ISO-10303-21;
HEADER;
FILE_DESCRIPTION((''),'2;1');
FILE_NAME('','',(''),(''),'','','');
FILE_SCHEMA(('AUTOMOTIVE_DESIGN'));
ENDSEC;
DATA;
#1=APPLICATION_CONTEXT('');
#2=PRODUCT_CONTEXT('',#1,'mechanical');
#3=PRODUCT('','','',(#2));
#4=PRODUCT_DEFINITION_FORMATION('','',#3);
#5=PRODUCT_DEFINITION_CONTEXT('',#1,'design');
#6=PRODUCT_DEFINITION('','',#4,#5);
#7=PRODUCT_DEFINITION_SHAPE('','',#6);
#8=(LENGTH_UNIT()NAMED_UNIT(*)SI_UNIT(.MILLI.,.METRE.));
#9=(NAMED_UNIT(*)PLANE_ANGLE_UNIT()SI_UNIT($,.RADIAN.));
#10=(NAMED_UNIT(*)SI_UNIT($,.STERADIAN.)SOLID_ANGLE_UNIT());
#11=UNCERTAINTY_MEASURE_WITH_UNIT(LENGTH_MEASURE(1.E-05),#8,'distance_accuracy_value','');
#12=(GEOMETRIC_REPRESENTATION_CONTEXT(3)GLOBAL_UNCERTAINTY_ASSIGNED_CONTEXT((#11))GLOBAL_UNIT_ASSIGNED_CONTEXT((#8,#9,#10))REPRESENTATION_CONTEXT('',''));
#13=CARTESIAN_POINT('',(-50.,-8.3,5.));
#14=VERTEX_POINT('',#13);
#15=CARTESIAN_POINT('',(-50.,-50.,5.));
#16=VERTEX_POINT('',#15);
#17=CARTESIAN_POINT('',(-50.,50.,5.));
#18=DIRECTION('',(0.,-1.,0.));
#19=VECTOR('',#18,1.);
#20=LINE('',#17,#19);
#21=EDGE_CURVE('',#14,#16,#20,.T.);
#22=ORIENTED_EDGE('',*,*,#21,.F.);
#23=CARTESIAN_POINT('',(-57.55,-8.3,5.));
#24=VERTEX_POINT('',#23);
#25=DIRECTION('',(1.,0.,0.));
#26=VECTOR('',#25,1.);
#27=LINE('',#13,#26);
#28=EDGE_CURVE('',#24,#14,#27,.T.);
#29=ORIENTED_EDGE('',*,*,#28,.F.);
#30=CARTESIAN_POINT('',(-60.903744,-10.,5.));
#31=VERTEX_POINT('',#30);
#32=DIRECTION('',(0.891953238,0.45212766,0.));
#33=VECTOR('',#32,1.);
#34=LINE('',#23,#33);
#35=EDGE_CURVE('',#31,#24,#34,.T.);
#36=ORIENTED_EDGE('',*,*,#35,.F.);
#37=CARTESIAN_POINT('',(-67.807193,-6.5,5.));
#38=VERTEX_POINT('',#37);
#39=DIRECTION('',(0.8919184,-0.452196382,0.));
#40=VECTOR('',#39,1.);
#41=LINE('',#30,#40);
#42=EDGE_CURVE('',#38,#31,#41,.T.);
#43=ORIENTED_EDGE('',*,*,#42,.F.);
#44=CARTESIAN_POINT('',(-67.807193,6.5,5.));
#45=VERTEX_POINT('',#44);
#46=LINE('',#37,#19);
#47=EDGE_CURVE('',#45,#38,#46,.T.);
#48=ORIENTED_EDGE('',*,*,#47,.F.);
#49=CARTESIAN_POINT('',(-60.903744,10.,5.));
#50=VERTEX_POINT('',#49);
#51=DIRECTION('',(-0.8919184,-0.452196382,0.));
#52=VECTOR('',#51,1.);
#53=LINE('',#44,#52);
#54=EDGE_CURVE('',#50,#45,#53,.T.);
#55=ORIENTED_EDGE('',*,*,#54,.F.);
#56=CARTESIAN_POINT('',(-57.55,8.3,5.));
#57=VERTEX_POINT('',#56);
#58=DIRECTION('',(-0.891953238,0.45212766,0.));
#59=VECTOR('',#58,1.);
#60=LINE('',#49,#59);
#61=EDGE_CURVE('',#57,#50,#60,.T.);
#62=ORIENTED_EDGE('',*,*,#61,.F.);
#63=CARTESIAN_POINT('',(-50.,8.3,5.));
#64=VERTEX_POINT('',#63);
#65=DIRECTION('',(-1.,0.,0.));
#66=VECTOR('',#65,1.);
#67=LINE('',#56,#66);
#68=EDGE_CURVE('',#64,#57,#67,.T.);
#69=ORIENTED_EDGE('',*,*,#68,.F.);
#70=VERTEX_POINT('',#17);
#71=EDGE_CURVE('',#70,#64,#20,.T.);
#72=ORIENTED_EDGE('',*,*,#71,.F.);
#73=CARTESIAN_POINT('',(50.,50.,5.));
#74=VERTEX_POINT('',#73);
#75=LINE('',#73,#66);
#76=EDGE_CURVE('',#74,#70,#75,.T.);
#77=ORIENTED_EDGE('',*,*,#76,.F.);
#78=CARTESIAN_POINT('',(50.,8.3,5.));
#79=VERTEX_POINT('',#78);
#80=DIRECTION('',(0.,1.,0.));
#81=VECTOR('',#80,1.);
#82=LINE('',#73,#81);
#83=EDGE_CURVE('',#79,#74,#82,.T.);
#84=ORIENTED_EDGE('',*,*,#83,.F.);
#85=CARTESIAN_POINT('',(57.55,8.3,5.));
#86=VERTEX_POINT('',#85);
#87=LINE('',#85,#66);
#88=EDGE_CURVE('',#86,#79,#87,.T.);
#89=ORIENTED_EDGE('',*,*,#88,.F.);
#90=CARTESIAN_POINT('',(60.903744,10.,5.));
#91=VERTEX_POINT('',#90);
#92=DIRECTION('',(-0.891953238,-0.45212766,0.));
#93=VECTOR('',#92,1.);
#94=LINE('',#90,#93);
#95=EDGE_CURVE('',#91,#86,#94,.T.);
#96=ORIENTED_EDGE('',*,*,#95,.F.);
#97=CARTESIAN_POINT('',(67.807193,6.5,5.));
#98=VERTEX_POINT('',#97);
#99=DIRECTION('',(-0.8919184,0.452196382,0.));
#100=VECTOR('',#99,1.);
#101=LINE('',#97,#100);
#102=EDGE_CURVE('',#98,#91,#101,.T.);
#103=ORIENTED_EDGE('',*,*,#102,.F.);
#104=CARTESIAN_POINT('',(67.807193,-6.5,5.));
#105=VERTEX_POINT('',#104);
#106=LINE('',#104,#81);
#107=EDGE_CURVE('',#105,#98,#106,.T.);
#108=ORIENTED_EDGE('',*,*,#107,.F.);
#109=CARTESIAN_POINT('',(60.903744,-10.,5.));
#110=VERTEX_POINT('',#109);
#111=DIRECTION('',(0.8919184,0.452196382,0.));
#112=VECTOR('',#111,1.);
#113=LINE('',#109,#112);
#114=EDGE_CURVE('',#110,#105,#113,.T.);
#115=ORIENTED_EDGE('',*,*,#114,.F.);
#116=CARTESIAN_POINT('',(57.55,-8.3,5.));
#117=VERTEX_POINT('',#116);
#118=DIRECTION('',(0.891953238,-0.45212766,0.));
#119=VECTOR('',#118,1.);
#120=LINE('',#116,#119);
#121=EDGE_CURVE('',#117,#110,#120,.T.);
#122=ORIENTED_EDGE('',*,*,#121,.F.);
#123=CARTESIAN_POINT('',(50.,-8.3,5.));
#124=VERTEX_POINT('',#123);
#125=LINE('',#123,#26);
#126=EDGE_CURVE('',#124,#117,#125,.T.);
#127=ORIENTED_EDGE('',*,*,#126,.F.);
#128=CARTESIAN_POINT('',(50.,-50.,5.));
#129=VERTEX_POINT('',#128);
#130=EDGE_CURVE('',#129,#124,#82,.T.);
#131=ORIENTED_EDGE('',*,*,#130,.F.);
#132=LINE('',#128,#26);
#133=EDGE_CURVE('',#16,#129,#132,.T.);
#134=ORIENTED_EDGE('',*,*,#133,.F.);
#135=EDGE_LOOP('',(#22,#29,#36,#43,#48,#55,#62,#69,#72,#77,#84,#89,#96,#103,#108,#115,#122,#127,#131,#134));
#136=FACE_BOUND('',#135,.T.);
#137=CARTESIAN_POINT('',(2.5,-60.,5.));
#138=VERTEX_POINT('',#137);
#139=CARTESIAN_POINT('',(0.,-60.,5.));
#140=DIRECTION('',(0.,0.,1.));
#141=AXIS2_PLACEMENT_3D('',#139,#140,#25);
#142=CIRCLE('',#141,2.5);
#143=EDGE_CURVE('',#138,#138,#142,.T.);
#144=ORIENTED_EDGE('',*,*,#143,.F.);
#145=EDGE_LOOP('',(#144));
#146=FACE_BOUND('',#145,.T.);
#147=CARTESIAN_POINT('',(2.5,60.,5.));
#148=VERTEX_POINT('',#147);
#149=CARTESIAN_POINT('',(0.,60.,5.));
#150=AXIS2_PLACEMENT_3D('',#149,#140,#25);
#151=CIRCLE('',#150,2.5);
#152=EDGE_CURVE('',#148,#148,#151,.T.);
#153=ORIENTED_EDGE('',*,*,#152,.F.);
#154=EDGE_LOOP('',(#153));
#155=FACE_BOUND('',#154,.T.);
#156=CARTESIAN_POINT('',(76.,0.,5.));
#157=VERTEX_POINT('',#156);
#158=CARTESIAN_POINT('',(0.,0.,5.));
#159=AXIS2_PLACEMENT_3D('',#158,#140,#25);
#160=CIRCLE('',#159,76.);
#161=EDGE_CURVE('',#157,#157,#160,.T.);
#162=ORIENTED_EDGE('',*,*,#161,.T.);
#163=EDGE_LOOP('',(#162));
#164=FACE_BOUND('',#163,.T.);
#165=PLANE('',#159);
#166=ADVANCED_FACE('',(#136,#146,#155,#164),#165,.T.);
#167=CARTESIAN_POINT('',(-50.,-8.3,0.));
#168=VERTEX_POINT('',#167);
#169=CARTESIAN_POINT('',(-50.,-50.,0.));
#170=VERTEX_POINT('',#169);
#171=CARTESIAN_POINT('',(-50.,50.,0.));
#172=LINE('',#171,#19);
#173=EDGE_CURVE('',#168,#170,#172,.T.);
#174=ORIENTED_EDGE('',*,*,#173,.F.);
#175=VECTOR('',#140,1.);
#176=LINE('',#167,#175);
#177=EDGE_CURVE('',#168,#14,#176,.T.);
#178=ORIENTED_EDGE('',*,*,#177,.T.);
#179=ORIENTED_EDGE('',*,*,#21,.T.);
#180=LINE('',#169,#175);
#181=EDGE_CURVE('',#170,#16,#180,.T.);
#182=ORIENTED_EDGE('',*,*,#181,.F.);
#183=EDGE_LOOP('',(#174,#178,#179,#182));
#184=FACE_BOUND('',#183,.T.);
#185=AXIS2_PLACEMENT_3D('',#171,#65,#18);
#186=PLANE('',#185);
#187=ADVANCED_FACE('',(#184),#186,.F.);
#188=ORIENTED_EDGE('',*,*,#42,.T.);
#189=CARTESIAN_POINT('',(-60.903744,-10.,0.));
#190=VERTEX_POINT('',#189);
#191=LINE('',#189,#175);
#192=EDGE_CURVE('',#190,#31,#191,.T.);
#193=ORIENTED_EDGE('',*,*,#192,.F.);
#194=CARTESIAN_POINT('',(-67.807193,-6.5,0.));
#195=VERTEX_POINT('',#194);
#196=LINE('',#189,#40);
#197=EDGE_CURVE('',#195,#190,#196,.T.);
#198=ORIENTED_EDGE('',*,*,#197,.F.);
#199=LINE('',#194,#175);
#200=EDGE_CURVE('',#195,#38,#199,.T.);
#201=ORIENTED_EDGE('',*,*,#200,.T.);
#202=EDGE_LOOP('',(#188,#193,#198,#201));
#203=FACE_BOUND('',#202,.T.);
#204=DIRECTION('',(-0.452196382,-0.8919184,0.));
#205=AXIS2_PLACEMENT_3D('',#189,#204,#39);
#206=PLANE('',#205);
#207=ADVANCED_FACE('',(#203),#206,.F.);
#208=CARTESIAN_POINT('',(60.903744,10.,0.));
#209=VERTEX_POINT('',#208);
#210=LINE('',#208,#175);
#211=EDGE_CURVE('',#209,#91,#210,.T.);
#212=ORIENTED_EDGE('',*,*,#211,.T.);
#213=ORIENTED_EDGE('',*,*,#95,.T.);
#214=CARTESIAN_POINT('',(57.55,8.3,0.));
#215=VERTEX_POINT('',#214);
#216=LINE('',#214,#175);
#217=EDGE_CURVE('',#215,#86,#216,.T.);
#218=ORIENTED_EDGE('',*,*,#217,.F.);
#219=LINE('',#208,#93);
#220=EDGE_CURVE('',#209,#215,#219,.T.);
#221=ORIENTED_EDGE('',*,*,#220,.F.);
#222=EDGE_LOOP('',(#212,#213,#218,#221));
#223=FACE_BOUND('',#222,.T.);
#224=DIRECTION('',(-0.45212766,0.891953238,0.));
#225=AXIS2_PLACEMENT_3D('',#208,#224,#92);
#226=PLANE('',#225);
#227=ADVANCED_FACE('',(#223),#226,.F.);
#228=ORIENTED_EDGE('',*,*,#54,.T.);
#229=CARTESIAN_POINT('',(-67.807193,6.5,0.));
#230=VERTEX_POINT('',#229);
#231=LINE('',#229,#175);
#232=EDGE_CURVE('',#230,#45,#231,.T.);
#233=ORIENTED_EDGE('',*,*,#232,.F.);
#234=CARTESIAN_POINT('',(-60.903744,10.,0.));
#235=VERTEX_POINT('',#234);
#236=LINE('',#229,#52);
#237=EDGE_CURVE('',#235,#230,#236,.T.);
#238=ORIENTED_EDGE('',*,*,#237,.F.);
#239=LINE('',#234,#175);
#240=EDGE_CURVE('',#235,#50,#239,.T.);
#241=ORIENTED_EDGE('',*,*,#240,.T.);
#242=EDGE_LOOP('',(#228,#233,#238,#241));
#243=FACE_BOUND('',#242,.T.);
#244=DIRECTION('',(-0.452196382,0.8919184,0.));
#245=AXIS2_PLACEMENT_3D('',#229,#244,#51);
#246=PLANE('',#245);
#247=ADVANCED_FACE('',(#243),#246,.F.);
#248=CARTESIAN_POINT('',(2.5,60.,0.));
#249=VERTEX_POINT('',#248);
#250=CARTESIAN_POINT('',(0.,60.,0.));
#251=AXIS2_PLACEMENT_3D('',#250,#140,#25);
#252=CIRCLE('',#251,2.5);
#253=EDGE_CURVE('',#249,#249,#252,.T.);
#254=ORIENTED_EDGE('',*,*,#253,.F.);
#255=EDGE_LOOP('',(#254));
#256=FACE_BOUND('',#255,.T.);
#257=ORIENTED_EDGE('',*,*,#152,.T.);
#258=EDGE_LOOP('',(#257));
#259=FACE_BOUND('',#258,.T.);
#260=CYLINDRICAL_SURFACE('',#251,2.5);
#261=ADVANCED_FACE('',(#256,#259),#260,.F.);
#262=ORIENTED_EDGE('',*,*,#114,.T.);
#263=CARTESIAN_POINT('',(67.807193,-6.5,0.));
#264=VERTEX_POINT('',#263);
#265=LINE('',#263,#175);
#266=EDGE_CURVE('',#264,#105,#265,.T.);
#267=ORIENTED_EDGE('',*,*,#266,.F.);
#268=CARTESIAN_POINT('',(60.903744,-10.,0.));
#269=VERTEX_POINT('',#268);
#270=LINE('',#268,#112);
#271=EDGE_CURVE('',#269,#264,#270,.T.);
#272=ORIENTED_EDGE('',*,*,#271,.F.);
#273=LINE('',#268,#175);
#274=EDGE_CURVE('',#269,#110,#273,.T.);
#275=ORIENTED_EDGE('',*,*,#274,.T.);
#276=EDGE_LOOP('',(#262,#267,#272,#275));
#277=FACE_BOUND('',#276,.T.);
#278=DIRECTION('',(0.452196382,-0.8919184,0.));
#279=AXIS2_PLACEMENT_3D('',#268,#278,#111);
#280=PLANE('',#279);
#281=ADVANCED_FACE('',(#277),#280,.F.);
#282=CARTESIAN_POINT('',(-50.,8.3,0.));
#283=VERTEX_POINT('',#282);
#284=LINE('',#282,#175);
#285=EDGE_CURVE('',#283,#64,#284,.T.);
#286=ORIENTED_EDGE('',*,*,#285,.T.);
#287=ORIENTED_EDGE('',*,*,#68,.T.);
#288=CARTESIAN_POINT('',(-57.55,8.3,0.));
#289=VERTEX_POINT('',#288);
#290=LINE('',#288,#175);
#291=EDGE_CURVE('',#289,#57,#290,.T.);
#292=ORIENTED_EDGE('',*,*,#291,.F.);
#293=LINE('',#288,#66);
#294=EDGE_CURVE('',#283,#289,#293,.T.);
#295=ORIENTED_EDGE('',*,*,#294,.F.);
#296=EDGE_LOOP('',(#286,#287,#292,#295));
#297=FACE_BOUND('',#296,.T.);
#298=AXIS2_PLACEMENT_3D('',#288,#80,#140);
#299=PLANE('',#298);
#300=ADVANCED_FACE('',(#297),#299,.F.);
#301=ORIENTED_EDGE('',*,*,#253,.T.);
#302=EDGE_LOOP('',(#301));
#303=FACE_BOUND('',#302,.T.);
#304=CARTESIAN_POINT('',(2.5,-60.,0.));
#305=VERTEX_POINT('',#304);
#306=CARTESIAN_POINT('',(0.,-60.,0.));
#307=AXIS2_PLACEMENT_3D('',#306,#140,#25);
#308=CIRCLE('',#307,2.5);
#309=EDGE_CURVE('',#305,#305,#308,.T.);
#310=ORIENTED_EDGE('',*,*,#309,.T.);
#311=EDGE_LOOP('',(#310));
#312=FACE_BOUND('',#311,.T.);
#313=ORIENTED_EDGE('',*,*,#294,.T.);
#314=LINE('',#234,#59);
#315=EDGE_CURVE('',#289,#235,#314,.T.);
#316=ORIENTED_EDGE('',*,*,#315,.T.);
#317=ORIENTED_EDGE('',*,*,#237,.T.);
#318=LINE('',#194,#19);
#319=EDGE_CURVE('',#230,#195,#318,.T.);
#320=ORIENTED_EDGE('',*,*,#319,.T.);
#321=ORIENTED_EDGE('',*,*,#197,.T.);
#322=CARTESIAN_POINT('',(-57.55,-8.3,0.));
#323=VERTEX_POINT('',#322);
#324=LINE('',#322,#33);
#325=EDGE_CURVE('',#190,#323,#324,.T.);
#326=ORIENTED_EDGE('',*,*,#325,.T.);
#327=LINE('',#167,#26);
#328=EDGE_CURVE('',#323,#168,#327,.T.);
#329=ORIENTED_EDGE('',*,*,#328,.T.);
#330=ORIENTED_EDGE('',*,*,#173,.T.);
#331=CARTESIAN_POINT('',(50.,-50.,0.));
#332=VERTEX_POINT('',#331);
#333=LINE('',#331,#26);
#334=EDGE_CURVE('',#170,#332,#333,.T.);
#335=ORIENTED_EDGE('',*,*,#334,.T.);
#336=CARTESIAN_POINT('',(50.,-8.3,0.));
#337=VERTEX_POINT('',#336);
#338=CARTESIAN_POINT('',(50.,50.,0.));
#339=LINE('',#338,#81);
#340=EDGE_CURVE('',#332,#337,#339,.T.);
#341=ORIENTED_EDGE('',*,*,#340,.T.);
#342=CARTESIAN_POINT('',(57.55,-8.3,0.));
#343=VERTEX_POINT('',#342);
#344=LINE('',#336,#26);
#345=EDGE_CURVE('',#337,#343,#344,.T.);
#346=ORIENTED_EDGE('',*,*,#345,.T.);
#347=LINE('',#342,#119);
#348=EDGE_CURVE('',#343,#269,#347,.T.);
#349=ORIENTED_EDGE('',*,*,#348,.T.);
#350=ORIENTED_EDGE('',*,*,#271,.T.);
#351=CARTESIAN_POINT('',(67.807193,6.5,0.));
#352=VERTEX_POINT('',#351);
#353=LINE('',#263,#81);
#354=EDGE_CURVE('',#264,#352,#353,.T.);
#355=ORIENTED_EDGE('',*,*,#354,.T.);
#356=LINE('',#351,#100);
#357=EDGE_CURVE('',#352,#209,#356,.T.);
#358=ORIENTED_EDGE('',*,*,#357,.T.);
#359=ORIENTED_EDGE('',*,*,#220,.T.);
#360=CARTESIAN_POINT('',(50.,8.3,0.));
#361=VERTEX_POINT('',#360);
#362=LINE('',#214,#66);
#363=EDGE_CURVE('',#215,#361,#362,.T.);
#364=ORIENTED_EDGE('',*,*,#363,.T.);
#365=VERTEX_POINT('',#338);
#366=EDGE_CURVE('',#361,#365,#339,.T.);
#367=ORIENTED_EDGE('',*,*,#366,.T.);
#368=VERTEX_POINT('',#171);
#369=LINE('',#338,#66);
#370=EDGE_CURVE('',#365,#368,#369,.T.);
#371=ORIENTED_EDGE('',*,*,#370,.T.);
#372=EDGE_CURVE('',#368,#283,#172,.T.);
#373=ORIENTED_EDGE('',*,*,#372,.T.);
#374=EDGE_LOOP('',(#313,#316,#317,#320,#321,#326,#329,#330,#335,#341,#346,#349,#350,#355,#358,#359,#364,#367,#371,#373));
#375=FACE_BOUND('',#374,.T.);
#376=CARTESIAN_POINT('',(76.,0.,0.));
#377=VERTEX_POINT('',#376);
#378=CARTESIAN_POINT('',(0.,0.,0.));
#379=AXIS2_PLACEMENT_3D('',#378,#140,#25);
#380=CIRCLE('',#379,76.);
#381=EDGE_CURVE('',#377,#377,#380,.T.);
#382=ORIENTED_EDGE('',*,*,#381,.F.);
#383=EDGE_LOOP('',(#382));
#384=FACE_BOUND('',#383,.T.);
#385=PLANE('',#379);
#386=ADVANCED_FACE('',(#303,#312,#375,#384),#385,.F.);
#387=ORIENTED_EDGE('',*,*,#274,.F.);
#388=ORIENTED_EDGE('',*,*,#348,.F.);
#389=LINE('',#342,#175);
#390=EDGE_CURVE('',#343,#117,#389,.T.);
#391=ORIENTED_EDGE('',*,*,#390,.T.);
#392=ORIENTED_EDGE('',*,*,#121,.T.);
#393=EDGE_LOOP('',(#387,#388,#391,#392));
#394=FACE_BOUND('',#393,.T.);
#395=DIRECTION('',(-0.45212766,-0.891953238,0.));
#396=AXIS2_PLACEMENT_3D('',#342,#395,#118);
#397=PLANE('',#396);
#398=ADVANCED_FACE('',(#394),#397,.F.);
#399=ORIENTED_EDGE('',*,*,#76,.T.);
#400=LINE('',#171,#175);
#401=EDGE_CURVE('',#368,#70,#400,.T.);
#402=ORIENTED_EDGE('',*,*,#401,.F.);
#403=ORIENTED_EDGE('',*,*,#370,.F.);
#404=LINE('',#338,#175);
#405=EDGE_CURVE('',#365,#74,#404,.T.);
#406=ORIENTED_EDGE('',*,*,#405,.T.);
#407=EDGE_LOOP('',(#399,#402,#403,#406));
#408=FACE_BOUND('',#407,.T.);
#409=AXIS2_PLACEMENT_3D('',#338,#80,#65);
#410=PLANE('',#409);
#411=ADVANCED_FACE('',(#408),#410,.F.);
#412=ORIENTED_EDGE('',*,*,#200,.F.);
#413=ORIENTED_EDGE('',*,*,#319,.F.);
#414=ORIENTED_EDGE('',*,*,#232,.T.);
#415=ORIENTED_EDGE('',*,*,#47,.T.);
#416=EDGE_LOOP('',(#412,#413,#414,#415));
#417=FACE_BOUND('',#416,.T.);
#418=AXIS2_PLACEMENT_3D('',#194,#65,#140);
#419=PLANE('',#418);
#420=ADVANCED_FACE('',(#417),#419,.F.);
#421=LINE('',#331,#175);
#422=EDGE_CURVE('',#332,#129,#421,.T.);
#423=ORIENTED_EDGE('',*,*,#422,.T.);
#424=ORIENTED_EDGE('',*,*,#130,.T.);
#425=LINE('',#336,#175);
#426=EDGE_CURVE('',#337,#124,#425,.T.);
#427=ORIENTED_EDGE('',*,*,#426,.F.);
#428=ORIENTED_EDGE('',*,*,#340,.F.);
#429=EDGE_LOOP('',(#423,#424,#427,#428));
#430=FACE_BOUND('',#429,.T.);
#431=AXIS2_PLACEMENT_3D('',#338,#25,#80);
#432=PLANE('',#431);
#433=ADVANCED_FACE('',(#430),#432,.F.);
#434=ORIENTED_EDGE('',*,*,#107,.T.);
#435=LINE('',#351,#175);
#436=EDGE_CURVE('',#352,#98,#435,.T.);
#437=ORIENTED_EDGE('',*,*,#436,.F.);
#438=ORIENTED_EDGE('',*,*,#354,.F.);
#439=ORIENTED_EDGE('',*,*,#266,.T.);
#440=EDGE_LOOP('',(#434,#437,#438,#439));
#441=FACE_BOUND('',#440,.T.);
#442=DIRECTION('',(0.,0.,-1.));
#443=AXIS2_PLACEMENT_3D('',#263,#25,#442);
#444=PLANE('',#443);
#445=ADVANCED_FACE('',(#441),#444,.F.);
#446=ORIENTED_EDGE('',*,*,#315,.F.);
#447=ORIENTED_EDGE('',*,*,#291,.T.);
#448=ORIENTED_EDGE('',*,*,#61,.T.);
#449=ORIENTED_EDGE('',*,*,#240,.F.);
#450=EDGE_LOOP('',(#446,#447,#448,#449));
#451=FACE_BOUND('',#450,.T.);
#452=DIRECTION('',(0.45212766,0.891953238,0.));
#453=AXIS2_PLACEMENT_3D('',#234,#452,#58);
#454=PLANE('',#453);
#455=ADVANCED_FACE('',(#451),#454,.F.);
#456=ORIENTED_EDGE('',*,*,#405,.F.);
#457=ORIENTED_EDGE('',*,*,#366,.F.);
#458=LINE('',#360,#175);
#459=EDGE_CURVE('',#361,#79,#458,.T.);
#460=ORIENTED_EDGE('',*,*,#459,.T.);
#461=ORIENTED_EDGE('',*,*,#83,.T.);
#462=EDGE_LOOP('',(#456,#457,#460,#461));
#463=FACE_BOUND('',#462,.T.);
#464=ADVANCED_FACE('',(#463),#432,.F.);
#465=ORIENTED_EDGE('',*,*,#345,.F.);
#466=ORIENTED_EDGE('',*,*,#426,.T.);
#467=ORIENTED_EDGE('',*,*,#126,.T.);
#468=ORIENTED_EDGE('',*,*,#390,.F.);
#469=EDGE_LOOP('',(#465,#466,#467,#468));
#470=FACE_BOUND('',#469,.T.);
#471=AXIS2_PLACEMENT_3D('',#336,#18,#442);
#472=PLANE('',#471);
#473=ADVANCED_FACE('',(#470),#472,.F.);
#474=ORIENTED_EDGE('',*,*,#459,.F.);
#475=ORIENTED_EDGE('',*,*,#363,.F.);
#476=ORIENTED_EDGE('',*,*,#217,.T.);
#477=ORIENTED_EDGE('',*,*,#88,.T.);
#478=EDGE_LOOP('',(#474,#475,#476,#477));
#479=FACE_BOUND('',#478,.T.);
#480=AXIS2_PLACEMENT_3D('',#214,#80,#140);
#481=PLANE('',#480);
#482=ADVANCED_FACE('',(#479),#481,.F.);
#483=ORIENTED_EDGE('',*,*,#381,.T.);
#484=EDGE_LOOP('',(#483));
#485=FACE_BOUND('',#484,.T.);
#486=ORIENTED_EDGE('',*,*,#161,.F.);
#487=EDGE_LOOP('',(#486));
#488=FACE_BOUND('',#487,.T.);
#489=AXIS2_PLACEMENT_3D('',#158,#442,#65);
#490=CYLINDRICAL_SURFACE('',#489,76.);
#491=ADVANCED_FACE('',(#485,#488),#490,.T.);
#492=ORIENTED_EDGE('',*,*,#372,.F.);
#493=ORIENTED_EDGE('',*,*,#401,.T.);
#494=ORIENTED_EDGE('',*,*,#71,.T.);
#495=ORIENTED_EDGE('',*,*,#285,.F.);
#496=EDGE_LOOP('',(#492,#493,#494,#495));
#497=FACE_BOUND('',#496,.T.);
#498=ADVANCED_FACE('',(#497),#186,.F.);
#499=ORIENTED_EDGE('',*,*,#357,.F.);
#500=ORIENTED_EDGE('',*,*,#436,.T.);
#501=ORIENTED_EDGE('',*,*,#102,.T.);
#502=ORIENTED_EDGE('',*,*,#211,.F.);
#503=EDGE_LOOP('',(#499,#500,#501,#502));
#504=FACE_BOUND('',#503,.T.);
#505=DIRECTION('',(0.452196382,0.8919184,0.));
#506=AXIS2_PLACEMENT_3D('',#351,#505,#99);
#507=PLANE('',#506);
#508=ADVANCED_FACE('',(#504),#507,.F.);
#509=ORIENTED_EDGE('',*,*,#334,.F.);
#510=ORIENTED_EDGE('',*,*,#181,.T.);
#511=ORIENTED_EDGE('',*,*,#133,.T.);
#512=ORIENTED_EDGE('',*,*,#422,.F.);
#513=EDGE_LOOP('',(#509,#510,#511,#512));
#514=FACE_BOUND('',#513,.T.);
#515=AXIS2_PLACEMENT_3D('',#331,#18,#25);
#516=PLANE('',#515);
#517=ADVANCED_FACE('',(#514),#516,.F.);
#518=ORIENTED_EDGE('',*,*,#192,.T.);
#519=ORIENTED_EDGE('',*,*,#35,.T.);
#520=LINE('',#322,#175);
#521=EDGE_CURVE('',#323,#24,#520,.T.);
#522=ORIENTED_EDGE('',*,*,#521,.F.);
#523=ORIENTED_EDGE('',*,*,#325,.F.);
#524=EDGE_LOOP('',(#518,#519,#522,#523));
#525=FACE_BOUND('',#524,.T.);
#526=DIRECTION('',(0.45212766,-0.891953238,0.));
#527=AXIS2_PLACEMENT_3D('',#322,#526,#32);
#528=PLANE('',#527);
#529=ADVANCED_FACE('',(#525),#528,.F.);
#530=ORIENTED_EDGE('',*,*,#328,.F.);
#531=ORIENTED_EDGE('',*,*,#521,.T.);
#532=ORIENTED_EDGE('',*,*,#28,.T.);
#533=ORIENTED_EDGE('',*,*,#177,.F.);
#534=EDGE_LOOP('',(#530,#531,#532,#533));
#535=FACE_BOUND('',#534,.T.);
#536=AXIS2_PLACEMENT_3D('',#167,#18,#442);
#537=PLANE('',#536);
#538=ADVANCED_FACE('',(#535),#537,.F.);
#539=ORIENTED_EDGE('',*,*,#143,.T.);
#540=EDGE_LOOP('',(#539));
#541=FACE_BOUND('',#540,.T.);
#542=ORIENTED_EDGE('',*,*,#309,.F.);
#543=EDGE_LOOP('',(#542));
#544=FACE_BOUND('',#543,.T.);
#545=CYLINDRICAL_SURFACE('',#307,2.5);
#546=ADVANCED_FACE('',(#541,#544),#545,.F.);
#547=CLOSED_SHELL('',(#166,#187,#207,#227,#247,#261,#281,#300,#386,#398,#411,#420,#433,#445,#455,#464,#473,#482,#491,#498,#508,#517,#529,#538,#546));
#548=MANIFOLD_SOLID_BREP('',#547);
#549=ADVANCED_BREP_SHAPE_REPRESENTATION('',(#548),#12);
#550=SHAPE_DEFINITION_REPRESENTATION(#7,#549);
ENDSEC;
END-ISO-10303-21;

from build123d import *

# Parameters (mm, degrees)
SKETCH1_R          = 76
CIRCLE_DEPTH       = 5
SKETCH2_W          = 100
SKETCH2_H          = 100
SQUARE_DEPTH       = 5
SKETCH3_R          = 2.5
HOLES_DEPTH        = 5
CUT_EXTRUDE3_DEPTH = 5


with BuildPart() as part:
    # Sketch1 → circle (new body)
    with BuildSketch(Plane.XY):
        Circle(SKETCH1_R)
    extrude(amount=CIRCLE_DEPTH)

    # Sketch2 → square (cut)
    with BuildSketch(Plane.XY.offset(5)):
        Rectangle(SKETCH2_W, SKETCH2_H)
    extrude(amount=-SQUARE_DEPTH, mode=Mode.SUBTRACT)

    # Sketch3 → holes (cut)
    with BuildSketch(Plane.XY.offset(5)):
        with Locations((0, 60)):
            Circle(SKETCH3_R)
        with Locations((0, -60)):
            Circle(SKETCH3_R)
    extrude(amount=-HOLES_DEPTH, mode=Mode.SUBTRACT)

    # Sketch4 → Cut-Extrude3 (cut)
    with BuildSketch(Plane.XY.offset(5)):
        Polygon((-50, 0), (-50, -8.3), (-57.55, -8.3), (-60.903744176, -10), (-67.80719259, -6.5), (-67.80719259, 6.5), (-60.903744176, 10), (-57.55, 8.3), (-50, 8.3), align=None)
        Polygon((57.55, 8.3), (50, 8.3), (50, 0), (50, -8.3), (57.55, -8.3), (60.903744176, -10), (67.80719259, -6.5), (67.80719259, 6.5), (60.903744176, 10), align=None)
    extrude(amount=-CUT_EXTRUDE3_DEPTH, mode=Mode.SUBTRACT)


solid = part.part
